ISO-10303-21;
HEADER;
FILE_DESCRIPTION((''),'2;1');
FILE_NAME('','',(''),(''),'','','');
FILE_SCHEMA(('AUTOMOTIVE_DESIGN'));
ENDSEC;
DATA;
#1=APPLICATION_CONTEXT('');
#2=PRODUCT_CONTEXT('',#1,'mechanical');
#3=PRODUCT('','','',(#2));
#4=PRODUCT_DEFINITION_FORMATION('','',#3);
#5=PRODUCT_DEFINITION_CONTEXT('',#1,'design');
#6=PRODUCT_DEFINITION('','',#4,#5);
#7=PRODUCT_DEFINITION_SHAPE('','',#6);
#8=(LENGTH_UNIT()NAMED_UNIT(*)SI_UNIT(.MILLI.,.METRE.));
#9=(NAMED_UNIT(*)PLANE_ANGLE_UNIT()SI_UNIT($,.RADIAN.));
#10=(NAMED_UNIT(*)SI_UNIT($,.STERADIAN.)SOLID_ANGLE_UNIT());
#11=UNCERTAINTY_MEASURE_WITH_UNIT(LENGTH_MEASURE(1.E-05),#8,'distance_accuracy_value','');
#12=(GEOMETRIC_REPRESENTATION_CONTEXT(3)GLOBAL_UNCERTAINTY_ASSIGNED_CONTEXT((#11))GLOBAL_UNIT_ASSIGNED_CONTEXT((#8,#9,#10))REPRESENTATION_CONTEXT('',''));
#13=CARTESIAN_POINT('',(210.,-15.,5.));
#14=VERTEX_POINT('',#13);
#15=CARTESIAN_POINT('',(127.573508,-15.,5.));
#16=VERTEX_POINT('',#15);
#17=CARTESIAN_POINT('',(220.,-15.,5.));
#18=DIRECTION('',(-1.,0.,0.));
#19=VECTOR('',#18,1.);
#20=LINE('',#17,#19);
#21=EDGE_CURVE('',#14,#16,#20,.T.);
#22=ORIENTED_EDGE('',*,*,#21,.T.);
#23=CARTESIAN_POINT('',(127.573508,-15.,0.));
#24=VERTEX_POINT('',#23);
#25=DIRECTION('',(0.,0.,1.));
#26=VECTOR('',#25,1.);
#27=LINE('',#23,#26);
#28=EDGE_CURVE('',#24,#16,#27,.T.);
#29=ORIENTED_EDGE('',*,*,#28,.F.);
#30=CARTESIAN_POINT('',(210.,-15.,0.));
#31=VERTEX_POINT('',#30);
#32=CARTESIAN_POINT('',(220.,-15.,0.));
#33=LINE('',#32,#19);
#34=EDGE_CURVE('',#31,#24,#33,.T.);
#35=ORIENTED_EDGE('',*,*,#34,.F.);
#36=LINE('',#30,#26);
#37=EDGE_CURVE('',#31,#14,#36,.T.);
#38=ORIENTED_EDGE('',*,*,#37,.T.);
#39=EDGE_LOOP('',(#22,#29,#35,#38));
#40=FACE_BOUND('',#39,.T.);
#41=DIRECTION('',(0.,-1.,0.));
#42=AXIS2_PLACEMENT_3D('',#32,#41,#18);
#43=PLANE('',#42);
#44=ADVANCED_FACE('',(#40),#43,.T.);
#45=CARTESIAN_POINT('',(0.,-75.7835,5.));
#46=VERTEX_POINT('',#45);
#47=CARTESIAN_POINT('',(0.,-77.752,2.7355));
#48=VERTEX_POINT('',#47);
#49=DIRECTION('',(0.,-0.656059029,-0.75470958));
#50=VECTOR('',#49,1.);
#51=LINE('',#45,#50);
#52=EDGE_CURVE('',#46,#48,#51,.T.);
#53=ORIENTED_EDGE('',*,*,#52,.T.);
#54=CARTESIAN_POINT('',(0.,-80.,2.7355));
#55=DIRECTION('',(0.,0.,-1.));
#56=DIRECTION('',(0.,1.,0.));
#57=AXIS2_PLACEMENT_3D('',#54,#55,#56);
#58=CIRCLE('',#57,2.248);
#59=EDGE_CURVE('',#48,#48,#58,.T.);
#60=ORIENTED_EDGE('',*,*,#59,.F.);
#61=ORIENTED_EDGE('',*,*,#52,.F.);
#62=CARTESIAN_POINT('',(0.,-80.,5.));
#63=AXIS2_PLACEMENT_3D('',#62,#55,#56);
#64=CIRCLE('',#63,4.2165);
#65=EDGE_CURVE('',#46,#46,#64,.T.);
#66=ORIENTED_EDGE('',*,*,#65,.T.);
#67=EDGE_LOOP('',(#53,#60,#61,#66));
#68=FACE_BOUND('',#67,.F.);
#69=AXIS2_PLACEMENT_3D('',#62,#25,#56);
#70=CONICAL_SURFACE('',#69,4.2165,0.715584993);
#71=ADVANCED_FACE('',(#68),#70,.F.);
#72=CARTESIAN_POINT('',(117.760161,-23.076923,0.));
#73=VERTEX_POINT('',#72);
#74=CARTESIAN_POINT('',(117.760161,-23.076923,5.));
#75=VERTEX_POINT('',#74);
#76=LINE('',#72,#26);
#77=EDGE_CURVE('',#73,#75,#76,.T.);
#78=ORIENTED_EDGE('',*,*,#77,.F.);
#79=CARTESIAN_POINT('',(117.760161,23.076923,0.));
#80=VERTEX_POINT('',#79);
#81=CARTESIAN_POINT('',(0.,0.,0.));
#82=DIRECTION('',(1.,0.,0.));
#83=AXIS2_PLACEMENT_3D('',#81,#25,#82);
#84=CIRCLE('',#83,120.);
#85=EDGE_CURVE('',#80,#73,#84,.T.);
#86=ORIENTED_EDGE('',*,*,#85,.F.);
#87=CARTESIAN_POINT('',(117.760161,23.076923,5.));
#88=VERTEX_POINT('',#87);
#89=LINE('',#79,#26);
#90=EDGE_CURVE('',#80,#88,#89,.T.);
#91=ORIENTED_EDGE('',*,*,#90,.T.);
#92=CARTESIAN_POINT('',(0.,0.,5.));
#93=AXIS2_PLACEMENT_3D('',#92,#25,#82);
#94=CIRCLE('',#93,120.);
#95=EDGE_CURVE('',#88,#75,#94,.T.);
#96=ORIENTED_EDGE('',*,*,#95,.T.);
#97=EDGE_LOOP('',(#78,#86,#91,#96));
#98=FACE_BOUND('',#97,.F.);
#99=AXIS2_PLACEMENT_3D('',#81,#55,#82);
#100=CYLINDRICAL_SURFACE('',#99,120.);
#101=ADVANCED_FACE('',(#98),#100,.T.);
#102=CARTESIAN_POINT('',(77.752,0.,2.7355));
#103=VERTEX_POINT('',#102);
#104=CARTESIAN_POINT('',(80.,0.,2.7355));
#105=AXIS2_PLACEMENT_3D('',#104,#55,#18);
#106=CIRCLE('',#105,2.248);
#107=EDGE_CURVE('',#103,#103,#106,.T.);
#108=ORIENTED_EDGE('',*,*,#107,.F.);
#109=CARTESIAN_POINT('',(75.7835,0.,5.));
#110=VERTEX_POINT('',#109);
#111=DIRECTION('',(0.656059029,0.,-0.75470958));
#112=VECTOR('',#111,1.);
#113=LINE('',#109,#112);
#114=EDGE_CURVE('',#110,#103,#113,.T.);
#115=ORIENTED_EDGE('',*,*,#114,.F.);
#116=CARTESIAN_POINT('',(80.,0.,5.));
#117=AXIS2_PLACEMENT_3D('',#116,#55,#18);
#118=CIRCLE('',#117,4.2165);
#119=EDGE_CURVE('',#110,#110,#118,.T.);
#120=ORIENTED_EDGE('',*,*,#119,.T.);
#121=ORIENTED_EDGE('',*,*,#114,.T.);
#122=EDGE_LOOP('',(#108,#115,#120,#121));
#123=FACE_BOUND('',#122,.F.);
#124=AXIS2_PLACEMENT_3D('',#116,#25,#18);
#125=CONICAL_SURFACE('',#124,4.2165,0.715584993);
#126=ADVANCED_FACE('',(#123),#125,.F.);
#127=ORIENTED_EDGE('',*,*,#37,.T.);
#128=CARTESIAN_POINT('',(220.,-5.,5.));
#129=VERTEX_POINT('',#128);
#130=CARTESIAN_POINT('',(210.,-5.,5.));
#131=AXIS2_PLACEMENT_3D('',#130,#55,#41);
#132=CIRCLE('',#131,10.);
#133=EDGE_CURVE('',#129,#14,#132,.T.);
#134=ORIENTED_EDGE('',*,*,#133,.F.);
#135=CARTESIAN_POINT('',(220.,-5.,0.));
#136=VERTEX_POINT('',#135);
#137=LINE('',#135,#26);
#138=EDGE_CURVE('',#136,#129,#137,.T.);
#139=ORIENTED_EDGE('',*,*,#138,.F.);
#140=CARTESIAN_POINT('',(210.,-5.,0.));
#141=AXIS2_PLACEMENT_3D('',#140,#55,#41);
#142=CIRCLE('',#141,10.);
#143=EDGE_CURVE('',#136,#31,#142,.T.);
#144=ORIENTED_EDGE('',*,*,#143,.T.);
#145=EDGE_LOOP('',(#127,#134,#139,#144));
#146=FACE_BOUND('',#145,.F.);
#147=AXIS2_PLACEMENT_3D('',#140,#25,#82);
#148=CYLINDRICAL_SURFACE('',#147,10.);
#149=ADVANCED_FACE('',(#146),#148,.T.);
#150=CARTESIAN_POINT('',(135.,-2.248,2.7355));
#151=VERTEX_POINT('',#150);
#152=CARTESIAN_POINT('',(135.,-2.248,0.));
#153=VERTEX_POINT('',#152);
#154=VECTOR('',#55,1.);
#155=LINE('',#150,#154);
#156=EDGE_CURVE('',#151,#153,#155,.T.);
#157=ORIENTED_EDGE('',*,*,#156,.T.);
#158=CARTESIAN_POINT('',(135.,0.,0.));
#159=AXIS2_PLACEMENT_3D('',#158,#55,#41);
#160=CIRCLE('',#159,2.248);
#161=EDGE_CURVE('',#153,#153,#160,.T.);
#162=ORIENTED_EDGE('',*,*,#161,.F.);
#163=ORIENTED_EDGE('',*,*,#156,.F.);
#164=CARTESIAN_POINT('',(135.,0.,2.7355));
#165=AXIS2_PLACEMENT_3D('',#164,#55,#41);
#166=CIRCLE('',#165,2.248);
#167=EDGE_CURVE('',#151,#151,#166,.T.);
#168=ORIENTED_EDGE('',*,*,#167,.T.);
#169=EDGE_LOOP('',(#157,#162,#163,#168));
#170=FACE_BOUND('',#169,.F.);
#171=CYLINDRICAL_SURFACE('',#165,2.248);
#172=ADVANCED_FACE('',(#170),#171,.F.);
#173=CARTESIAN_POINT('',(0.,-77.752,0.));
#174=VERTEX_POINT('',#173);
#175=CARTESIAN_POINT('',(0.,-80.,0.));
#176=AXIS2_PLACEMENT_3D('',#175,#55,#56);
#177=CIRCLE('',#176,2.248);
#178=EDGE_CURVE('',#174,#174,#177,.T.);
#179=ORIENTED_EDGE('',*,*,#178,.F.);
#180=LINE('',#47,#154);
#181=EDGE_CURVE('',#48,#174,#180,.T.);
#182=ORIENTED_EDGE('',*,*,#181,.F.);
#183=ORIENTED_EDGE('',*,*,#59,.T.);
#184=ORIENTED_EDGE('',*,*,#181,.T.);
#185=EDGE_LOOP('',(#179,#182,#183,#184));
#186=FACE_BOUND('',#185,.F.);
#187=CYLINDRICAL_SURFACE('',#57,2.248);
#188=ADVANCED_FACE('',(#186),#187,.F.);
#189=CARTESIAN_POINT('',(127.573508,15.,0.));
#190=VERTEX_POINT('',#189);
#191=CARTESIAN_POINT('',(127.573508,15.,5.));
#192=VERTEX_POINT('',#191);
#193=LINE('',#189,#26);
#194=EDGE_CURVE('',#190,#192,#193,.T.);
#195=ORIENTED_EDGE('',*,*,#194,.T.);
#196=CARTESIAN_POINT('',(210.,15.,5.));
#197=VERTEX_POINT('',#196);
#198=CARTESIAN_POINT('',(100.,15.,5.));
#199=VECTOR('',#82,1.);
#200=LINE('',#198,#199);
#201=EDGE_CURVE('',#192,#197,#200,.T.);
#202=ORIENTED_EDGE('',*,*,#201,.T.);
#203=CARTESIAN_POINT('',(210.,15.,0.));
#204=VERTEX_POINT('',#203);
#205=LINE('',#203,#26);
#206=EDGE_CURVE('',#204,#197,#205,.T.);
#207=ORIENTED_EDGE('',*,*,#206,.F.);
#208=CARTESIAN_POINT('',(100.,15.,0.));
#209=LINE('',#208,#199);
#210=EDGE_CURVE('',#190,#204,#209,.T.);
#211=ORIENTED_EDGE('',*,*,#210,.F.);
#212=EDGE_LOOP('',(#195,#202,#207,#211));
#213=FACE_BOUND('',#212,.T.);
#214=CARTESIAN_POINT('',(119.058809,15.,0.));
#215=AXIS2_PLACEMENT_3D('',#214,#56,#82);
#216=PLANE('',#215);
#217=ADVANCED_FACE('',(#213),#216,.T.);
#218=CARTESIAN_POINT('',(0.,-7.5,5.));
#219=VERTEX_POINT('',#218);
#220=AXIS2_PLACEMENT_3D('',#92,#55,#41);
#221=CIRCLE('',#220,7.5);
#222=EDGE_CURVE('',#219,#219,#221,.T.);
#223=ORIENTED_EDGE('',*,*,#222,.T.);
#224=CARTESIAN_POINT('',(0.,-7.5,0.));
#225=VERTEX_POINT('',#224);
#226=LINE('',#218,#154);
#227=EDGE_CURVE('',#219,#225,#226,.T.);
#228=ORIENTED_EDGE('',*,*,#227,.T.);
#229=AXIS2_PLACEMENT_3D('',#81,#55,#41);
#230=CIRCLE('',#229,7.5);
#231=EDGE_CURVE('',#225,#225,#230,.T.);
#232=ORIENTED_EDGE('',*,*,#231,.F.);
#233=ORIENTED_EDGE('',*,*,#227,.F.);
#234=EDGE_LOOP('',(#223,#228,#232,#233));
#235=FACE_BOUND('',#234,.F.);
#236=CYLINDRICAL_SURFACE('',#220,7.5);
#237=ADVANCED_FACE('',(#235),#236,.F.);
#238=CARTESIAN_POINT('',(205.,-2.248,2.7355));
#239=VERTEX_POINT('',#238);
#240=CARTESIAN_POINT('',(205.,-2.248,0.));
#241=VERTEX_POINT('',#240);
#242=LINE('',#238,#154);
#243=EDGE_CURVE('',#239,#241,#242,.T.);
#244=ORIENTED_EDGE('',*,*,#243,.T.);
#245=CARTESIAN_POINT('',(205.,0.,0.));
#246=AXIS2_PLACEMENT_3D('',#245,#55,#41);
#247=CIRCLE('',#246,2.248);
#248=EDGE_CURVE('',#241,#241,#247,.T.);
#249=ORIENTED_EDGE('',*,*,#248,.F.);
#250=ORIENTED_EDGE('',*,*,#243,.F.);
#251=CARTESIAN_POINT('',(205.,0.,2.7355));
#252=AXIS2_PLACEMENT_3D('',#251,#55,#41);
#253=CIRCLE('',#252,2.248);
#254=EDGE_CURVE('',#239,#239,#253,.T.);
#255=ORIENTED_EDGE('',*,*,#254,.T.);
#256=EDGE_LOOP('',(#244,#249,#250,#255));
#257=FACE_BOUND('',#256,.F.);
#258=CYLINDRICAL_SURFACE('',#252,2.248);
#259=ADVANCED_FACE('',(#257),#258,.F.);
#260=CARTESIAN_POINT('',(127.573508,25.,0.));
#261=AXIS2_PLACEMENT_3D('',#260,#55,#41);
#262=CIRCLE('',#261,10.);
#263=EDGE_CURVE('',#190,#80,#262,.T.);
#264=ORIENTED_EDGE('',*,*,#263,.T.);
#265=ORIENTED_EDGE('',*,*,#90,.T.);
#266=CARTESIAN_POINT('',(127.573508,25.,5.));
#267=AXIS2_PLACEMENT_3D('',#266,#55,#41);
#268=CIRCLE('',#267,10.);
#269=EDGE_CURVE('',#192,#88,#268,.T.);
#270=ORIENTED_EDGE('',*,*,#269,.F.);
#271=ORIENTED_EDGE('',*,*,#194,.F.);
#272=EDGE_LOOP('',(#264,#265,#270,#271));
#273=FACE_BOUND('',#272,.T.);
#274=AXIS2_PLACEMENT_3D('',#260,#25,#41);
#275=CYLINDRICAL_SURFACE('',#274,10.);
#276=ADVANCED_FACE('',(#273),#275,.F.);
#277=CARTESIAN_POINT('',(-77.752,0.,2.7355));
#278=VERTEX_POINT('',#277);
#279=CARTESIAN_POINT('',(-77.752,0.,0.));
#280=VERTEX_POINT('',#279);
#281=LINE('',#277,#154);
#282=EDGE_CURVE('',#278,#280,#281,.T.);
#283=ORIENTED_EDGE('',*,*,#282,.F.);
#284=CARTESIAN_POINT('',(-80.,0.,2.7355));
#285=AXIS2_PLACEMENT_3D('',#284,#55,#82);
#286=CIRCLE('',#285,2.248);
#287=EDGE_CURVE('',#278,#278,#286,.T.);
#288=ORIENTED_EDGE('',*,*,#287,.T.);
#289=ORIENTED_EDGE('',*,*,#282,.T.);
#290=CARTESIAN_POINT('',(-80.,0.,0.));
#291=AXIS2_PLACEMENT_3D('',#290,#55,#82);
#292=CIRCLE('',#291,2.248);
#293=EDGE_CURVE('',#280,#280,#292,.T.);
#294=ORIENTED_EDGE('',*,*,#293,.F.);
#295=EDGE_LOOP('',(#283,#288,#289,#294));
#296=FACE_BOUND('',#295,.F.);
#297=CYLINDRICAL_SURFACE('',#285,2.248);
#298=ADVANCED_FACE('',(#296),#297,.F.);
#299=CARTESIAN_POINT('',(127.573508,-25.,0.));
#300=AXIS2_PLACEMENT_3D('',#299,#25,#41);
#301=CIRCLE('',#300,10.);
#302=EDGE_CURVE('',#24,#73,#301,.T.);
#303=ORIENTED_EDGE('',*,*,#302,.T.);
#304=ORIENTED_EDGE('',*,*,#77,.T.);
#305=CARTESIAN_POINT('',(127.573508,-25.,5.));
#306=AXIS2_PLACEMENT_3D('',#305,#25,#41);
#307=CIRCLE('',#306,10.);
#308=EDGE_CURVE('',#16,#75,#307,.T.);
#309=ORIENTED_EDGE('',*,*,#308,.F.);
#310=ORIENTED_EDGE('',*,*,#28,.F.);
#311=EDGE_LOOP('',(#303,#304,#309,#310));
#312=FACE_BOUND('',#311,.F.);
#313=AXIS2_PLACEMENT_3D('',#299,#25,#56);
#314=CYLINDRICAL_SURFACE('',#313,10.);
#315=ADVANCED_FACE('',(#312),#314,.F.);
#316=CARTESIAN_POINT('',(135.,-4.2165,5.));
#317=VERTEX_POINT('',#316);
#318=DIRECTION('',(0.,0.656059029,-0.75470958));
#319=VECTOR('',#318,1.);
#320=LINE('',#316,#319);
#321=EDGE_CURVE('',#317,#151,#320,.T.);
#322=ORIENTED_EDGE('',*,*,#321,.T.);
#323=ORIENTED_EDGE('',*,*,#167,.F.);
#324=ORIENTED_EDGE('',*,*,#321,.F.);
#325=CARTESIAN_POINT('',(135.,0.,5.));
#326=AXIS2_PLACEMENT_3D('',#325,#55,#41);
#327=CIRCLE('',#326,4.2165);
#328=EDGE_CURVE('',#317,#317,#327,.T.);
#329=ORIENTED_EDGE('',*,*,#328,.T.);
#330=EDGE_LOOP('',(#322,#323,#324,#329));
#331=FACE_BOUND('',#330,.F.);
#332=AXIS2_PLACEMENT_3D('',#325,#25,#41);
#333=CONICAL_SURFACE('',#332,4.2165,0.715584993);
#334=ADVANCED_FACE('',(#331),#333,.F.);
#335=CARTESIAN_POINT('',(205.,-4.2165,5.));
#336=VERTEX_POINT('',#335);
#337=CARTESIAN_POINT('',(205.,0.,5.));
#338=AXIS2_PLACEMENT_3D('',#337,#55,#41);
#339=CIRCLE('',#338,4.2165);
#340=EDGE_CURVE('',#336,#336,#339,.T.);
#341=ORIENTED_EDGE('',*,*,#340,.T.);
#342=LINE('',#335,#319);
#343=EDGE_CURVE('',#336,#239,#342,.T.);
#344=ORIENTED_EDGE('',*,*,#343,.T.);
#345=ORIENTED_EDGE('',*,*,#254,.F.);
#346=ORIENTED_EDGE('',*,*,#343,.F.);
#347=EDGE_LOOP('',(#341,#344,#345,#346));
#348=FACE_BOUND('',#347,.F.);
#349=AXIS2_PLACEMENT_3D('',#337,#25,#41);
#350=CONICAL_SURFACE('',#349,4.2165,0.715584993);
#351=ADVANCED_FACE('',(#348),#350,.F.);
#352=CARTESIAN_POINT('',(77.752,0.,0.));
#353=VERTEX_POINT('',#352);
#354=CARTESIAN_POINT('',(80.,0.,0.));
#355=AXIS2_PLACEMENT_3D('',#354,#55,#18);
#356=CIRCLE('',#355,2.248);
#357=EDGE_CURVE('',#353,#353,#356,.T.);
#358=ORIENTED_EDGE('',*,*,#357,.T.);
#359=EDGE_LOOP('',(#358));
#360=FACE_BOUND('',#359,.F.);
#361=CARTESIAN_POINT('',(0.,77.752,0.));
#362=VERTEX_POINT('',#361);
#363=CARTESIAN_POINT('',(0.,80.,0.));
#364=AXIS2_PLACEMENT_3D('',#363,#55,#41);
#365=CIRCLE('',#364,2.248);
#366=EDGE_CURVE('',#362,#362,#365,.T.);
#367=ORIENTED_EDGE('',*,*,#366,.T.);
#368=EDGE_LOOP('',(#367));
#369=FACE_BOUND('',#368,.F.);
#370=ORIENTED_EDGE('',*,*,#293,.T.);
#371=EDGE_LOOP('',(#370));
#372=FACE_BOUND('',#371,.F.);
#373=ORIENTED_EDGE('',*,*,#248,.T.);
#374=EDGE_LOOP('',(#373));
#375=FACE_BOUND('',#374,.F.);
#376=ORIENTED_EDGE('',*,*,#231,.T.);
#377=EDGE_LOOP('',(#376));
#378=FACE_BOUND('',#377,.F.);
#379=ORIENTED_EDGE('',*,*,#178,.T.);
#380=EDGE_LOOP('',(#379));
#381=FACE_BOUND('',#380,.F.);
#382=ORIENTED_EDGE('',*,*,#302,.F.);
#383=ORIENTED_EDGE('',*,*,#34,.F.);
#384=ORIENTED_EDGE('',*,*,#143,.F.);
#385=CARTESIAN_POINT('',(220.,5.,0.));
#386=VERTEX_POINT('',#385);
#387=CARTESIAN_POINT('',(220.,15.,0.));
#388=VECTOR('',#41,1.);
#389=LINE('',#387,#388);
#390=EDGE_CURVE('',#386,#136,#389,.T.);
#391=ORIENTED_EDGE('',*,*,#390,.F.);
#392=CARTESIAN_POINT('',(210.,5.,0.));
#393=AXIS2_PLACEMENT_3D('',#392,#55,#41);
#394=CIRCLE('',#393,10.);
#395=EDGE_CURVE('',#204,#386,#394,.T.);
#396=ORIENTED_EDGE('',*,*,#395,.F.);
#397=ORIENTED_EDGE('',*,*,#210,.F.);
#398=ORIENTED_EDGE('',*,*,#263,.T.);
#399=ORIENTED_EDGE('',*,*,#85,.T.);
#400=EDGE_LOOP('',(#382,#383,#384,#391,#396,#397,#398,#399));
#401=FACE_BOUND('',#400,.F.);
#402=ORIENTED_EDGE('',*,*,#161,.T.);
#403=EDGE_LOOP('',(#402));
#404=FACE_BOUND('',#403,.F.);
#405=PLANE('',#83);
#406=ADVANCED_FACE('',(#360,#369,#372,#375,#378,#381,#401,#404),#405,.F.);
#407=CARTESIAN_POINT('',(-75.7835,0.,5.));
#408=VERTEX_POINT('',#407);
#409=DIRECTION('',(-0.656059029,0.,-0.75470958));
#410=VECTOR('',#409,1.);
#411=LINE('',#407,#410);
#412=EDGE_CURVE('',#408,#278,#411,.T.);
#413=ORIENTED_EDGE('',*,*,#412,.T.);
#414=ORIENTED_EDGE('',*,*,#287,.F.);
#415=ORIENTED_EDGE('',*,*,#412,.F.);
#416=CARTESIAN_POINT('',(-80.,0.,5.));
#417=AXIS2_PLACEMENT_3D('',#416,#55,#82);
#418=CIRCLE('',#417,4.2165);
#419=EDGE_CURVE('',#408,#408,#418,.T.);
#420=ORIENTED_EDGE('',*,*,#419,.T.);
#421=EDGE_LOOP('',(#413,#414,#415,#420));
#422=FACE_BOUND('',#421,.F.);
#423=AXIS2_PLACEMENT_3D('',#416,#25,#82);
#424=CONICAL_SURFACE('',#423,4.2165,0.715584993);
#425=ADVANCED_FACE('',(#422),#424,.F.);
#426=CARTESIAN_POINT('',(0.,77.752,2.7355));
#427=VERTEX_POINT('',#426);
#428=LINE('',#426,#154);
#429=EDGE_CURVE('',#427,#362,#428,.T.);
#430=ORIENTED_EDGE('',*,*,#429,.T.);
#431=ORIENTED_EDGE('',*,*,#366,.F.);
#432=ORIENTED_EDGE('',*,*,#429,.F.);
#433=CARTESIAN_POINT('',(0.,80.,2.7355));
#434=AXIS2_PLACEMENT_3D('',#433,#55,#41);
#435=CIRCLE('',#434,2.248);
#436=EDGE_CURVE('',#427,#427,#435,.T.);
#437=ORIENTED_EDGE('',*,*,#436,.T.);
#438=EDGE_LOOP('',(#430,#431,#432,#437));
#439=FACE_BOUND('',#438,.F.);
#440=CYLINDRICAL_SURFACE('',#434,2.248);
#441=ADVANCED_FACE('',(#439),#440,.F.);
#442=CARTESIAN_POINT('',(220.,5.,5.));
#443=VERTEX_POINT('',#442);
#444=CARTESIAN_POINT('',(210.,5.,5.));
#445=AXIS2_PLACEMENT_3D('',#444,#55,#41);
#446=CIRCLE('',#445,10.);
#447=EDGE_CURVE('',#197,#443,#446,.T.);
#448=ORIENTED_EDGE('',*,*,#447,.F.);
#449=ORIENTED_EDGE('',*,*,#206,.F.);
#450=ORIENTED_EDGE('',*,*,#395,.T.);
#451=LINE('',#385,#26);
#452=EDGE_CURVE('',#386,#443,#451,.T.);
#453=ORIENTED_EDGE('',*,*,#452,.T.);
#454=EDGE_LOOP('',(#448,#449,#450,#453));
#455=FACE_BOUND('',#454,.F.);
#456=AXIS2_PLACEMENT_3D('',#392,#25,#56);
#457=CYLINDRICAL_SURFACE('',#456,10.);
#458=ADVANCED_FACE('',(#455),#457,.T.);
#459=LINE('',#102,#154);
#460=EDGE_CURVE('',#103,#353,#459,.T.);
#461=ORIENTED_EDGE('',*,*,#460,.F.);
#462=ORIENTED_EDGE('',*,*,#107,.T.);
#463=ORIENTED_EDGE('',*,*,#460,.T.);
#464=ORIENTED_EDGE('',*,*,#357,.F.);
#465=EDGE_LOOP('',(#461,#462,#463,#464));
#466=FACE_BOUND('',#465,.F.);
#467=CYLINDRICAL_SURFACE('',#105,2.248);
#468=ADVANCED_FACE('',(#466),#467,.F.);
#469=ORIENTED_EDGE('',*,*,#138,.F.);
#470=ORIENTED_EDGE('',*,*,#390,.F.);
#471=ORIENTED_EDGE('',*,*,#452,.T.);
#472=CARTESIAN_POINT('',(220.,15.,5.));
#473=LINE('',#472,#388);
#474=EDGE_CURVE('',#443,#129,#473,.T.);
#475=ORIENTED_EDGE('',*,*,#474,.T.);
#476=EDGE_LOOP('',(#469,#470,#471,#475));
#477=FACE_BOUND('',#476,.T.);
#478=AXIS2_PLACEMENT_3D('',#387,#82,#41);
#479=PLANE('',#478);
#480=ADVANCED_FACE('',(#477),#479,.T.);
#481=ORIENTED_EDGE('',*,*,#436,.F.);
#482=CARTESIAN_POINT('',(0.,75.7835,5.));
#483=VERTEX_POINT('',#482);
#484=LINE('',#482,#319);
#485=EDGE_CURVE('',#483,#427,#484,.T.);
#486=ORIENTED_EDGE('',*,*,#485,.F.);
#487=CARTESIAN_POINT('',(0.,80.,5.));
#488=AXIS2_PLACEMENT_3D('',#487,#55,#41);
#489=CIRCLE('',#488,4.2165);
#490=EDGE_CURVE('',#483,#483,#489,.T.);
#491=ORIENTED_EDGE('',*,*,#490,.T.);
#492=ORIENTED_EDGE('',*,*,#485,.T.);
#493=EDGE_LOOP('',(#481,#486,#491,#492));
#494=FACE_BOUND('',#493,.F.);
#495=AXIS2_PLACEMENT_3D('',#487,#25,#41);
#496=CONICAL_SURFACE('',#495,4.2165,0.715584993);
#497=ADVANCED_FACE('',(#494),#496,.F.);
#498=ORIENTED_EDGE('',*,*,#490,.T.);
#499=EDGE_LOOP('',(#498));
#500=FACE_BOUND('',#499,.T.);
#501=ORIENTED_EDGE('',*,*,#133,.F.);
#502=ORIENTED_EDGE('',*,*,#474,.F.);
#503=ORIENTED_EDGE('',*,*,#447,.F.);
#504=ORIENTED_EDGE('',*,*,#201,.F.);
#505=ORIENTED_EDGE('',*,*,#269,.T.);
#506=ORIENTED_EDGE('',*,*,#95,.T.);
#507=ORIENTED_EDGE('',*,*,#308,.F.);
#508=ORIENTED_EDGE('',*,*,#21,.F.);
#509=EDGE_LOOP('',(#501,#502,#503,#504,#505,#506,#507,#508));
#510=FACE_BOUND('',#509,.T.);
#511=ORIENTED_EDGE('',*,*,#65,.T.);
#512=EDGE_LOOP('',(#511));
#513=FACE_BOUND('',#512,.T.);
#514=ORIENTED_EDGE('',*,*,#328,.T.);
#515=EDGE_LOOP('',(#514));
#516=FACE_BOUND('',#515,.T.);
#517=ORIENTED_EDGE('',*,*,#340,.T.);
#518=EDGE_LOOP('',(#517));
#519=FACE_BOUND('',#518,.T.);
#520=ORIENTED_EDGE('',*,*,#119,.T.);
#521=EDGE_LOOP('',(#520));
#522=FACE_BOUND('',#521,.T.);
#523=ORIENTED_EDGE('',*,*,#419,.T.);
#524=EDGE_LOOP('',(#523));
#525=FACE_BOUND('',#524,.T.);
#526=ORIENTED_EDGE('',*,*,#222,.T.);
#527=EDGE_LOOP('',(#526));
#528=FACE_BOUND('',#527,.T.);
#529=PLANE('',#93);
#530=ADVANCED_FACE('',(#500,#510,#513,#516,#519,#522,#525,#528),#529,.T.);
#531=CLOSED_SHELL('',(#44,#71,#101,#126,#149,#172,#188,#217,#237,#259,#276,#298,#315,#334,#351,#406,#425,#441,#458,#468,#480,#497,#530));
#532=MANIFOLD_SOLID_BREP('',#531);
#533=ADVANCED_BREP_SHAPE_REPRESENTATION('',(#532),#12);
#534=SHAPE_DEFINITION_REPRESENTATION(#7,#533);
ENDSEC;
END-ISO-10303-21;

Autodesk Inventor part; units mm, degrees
ref_plane "YZ Plane" through (0, 0, 0) normal (1, 0, 0) x (0, 1, 0)
ref_plane "XZ Plane" through (0, 0, 0) normal (0, 1, 0) x (-1, 0, 0)
ref_plane "XY Plane" through (0, 0, 0) normal (0, 0, 1) x (1, 0, 0)
sketch "Sketch1" plane through (0, 0, 0) normal (0, 0, 1) x (1, 0, 0)
  circle A0 centre (0, 0) radius 120
  line L0 (100, 15) -> (220, 15)
  line L1 (220, 15) -> (220, -15)
  line L2 (220, -15) -> (100, -15)
  line L3 (100, -15) -> (100, 15)
  dimension "d0" = 240
  dimension "d1" = 30
  dimension "d2" = 15
  dimension "d3" = 100
  dimension "d4" = 220
extrude "Extrusion1" add sketch "Sketch1" along normal blind 5
fillet "Fillet1" radius 10 4 edges at (119.0588, -15, 2.5) (119.0588, 15, 2.5) (220, -15, 2.5) (220, 15, 2.5)
sketch "Sketch2" plane through (0, 0, 5) normal (0, 0, 1) x (1, 0, 0)
  line L0 (220, -5) -> (220, 5) projected
  point P0 (0, 0)
  point P1 (135, 0)
  point P2 (205, 0)
  point P3 (220, 0)
  dimension "d8" = 15
  dimension "d9" = 70
hole "Hole1" at (135, 0, 5) at (205, 0, 5) direction (0, 0, -1) diameter 4.496 end through all countersink diameter 8.433 countersink angle 82 clearance for "Flat Head Machine Screw (82)" size "#8" standard "Ansi Unified Screw Threads"
sketch "Sketch3" plane through (0, 0, 5) normal (0, 0, 1) x (1, 0, 0)
  point P0 (0, 0)
  point P1 (0, 80)
  dimension "d17" = 80
hole "Hole2" at (0, 80, 5) direction (0, 0, -1) diameter 4.496 end through all countersink diameter 8.433 countersink angle 82 clearance for "Flat Head Machine Screw (82)" size "#8" standard "Ansi Unified Screw Threads"
pattern_circular "Circular Pattern1" count 4 over 360 about axis through (0, 0, -10) along (0, 0, 1) of "Hole2"
sketch "Sketch4" plane through (0, 0, 5) normal (0, 0, 1) x (1, 0, 0)
  point P0 (0, 0)
  point P1 (0, 0)
hole "Hole3" at (0, 0, 5) direction (0, 0, -1) diameter 15 end through all
equation "\"d2\" = 0.5 * d1"
properties part number "Top_Lever Side" material "Wood (Oak)"
